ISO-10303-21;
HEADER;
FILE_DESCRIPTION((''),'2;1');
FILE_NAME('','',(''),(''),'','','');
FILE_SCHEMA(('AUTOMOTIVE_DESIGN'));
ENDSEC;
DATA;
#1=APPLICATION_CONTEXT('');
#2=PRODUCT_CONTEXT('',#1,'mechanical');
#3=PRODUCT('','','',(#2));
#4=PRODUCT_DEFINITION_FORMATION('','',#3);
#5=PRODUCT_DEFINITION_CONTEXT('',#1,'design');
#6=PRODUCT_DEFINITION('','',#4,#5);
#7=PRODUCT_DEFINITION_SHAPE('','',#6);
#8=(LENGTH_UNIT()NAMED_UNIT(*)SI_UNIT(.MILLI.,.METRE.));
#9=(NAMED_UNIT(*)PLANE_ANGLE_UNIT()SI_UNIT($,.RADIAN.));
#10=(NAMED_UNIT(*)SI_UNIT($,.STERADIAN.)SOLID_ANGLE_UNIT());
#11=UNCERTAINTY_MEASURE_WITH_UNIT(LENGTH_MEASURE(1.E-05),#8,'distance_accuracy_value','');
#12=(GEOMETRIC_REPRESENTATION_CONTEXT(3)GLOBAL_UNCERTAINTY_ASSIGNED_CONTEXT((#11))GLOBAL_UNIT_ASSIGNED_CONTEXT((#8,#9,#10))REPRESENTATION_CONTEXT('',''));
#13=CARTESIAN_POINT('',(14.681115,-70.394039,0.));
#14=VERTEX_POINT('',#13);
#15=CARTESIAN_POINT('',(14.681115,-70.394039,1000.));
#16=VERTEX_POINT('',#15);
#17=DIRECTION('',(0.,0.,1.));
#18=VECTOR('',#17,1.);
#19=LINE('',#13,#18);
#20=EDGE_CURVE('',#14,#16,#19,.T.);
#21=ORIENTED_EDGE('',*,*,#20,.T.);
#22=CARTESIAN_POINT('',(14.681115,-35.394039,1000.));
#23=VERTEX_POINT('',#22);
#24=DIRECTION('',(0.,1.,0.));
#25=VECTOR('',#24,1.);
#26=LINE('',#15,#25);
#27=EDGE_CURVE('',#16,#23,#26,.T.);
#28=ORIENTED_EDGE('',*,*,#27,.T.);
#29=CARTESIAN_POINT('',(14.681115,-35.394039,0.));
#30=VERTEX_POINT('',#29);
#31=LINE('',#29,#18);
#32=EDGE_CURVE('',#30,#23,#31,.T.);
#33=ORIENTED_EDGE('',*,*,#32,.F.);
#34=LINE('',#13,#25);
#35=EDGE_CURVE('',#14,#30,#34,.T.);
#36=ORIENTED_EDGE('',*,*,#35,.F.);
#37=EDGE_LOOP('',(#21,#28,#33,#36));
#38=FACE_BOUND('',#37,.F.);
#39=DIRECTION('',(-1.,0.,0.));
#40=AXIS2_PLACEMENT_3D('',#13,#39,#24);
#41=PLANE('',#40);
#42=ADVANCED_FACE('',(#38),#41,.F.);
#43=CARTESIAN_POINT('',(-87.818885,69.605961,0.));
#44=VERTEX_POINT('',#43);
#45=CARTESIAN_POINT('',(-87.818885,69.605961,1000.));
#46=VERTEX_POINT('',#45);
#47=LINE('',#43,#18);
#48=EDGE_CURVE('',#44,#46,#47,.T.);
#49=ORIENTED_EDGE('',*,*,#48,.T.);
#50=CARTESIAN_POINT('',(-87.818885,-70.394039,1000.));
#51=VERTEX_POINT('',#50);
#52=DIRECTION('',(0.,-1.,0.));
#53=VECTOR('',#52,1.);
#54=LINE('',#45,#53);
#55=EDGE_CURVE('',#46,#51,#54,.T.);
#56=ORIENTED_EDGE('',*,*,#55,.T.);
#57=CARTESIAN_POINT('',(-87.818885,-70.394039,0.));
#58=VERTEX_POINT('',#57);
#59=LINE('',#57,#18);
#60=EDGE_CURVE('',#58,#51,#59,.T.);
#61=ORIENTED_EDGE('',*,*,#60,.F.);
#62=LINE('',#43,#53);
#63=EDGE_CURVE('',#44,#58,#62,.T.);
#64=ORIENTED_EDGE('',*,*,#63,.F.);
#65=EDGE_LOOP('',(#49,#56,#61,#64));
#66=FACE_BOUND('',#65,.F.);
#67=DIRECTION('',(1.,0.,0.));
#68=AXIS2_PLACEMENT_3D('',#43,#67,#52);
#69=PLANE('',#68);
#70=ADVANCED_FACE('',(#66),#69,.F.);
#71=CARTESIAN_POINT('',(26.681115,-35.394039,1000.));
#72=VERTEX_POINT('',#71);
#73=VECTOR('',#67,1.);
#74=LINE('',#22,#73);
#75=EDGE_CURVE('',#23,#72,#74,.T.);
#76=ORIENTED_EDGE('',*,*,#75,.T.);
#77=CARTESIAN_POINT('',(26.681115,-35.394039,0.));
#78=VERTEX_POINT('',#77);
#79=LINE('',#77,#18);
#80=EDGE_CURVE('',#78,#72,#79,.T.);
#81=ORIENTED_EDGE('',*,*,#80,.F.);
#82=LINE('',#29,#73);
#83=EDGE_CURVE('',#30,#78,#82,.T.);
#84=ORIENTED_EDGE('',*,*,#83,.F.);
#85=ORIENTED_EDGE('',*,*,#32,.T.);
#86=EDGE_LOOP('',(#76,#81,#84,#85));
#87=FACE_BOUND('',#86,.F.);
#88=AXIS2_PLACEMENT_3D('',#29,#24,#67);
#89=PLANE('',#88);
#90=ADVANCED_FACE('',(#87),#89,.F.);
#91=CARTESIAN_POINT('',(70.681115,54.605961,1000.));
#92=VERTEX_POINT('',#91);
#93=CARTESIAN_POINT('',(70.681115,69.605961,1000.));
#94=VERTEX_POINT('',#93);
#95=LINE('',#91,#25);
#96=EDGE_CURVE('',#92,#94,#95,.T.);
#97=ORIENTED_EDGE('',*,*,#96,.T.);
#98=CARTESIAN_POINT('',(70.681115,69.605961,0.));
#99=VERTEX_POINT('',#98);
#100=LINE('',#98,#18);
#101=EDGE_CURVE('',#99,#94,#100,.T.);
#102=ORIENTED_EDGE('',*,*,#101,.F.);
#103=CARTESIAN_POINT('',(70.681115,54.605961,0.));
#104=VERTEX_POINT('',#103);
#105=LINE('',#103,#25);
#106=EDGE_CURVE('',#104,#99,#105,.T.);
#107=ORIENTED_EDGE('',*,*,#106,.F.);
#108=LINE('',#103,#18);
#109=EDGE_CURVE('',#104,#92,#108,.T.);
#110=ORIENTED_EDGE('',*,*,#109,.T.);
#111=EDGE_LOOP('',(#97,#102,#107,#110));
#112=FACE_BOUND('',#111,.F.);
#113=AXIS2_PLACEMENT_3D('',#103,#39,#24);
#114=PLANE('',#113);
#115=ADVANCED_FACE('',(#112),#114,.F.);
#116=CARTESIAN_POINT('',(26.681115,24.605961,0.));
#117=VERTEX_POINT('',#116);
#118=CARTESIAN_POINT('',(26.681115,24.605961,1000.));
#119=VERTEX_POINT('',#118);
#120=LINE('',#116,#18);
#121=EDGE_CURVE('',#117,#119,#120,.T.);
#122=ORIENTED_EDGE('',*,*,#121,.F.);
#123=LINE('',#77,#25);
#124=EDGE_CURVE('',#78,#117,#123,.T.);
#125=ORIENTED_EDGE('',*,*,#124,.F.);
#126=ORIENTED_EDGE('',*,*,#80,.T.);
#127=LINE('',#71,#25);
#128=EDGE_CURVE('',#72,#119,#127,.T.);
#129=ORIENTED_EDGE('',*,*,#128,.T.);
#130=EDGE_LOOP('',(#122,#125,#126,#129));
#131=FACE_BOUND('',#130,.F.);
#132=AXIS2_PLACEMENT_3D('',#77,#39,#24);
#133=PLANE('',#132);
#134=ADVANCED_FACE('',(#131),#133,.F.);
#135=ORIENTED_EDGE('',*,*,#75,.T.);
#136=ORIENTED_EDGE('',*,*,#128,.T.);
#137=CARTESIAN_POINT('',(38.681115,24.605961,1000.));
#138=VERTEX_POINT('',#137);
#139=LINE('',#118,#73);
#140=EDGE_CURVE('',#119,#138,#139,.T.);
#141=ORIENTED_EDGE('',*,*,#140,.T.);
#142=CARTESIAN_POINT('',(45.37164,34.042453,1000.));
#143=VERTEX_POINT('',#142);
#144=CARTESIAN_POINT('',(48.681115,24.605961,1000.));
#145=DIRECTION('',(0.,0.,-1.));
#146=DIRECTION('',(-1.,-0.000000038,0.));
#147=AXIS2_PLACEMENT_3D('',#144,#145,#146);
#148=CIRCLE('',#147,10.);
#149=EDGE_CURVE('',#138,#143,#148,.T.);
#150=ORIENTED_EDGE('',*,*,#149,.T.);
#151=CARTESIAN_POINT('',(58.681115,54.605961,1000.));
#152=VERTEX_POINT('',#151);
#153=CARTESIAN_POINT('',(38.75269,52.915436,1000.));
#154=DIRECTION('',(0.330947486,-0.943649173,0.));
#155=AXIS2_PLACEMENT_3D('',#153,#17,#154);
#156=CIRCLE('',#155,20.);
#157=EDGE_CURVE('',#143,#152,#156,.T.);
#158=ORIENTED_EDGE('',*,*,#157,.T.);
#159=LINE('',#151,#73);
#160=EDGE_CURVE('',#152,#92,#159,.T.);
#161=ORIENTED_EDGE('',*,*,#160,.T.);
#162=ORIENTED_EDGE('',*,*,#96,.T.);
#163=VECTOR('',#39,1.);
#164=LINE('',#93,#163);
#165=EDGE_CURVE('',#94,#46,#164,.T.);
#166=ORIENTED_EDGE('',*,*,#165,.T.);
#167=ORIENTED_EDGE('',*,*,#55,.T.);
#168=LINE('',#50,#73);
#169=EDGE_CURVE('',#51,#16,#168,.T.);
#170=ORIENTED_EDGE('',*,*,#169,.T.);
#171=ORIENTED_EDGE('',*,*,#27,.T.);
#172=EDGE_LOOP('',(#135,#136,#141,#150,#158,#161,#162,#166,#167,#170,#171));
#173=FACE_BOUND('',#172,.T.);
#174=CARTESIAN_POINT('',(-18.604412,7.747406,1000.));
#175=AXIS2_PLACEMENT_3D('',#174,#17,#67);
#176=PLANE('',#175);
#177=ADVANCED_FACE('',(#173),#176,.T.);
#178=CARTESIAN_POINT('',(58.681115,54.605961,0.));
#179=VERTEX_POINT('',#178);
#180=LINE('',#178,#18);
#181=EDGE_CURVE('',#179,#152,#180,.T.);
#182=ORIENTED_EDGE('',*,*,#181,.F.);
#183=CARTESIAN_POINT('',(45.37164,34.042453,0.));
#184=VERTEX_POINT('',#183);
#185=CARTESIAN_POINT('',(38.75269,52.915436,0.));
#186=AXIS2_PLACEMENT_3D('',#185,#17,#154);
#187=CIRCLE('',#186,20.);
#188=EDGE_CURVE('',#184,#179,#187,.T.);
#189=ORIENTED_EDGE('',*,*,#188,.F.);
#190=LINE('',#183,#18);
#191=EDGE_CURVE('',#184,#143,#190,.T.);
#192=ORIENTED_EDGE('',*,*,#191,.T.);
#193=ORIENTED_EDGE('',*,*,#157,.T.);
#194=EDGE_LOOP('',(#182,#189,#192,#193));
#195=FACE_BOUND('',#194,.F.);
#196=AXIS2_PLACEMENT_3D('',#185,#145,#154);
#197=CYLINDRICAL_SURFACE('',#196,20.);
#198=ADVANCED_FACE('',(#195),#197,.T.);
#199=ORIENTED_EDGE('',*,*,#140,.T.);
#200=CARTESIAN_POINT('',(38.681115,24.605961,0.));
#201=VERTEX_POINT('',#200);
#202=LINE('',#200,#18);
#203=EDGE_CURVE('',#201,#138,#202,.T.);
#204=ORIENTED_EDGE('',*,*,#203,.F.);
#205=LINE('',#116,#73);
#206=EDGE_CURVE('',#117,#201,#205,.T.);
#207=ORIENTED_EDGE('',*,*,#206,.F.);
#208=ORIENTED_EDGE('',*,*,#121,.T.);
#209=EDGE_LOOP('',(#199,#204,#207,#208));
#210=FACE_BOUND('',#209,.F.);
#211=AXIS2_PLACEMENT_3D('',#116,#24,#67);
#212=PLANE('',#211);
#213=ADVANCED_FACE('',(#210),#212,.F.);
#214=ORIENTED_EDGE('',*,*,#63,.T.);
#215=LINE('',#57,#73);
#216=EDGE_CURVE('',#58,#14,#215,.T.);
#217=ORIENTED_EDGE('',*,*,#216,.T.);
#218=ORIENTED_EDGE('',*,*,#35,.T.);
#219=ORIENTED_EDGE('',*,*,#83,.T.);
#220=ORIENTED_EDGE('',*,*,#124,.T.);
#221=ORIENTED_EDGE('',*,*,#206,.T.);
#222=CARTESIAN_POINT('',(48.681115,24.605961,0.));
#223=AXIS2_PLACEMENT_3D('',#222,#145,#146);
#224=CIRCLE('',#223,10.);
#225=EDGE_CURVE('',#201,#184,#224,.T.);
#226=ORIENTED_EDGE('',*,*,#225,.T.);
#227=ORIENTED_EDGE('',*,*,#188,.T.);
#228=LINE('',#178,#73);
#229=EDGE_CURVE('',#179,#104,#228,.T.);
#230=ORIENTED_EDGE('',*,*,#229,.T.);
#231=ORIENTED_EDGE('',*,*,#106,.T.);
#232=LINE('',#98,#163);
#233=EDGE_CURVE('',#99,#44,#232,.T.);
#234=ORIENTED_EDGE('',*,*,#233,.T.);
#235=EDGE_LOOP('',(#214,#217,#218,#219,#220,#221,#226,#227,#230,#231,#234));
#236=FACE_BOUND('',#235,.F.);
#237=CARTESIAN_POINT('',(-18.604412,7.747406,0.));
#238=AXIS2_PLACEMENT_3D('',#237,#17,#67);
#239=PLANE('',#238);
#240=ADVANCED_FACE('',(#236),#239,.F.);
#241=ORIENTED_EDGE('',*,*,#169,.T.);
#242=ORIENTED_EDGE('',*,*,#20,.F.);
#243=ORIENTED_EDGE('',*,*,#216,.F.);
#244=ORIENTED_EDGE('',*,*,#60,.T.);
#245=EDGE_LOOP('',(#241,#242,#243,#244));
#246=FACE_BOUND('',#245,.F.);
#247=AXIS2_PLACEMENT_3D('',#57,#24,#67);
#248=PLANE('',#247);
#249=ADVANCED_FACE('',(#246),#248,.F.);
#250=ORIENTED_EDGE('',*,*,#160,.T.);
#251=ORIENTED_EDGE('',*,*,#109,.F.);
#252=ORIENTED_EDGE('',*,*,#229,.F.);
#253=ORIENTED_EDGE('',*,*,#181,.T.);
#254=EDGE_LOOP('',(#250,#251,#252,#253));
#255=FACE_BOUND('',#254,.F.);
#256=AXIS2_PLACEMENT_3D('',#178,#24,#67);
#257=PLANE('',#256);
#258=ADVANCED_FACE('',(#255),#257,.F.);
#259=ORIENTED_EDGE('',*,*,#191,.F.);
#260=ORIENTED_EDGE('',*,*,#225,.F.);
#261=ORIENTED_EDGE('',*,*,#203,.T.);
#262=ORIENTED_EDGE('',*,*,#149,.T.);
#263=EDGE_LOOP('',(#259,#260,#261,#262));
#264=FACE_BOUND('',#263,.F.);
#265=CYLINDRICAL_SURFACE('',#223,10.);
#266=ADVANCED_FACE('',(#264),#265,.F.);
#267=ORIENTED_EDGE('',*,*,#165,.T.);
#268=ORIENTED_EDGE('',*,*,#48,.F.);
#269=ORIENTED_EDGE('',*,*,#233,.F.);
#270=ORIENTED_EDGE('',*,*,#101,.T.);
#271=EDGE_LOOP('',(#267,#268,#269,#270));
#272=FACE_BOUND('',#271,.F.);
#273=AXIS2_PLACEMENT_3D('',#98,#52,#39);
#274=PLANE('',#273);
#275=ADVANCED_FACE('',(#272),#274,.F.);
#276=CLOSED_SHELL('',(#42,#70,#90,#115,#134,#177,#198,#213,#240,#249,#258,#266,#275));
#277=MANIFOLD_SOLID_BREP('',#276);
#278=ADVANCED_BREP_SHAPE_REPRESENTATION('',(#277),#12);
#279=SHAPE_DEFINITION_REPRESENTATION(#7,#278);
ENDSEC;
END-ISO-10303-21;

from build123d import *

# Parameters (mm, degrees)
F1_DEPTH = 1000


with BuildPart() as f1:
    # F0 (on Top) → F1 (new body)
    with BuildSketch(Plane.XY):
        with BuildLine():
            Line((70.681115, 69.605961), (-87.818885, 69.605961))
            Line((-87.818885, 69.605961), (-87.818885, -70.394039))
            Line((-87.818885, -70.394039), (14.681115, -70.394039))
            Line((14.681115, -70.394039), (14.681115, -35.394039))
            Line((14.681115, -35.394039), (26.681115, -35.394039))
            Line((26.681115, -35.394039), (26.681115, 24.605961))
            Line((26.681115, 24.605961), (38.681115, 24.605961))
            ThreePointArc((38.681115, 24.605961), (40.523457, 30.389785), (45.37164, 34.042453))
            ThreePointArc((45.37164, 34.042453), (55.542724, 42.048295), (58.681115, 54.605961))
            Line((58.681115, 54.605961), (70.681115, 54.605961))
            Line((70.681115, 54.605961), (70.681115, 69.605961))
        make_face()
    extrude(amount=F1_DEPTH)


solid = f1.part
